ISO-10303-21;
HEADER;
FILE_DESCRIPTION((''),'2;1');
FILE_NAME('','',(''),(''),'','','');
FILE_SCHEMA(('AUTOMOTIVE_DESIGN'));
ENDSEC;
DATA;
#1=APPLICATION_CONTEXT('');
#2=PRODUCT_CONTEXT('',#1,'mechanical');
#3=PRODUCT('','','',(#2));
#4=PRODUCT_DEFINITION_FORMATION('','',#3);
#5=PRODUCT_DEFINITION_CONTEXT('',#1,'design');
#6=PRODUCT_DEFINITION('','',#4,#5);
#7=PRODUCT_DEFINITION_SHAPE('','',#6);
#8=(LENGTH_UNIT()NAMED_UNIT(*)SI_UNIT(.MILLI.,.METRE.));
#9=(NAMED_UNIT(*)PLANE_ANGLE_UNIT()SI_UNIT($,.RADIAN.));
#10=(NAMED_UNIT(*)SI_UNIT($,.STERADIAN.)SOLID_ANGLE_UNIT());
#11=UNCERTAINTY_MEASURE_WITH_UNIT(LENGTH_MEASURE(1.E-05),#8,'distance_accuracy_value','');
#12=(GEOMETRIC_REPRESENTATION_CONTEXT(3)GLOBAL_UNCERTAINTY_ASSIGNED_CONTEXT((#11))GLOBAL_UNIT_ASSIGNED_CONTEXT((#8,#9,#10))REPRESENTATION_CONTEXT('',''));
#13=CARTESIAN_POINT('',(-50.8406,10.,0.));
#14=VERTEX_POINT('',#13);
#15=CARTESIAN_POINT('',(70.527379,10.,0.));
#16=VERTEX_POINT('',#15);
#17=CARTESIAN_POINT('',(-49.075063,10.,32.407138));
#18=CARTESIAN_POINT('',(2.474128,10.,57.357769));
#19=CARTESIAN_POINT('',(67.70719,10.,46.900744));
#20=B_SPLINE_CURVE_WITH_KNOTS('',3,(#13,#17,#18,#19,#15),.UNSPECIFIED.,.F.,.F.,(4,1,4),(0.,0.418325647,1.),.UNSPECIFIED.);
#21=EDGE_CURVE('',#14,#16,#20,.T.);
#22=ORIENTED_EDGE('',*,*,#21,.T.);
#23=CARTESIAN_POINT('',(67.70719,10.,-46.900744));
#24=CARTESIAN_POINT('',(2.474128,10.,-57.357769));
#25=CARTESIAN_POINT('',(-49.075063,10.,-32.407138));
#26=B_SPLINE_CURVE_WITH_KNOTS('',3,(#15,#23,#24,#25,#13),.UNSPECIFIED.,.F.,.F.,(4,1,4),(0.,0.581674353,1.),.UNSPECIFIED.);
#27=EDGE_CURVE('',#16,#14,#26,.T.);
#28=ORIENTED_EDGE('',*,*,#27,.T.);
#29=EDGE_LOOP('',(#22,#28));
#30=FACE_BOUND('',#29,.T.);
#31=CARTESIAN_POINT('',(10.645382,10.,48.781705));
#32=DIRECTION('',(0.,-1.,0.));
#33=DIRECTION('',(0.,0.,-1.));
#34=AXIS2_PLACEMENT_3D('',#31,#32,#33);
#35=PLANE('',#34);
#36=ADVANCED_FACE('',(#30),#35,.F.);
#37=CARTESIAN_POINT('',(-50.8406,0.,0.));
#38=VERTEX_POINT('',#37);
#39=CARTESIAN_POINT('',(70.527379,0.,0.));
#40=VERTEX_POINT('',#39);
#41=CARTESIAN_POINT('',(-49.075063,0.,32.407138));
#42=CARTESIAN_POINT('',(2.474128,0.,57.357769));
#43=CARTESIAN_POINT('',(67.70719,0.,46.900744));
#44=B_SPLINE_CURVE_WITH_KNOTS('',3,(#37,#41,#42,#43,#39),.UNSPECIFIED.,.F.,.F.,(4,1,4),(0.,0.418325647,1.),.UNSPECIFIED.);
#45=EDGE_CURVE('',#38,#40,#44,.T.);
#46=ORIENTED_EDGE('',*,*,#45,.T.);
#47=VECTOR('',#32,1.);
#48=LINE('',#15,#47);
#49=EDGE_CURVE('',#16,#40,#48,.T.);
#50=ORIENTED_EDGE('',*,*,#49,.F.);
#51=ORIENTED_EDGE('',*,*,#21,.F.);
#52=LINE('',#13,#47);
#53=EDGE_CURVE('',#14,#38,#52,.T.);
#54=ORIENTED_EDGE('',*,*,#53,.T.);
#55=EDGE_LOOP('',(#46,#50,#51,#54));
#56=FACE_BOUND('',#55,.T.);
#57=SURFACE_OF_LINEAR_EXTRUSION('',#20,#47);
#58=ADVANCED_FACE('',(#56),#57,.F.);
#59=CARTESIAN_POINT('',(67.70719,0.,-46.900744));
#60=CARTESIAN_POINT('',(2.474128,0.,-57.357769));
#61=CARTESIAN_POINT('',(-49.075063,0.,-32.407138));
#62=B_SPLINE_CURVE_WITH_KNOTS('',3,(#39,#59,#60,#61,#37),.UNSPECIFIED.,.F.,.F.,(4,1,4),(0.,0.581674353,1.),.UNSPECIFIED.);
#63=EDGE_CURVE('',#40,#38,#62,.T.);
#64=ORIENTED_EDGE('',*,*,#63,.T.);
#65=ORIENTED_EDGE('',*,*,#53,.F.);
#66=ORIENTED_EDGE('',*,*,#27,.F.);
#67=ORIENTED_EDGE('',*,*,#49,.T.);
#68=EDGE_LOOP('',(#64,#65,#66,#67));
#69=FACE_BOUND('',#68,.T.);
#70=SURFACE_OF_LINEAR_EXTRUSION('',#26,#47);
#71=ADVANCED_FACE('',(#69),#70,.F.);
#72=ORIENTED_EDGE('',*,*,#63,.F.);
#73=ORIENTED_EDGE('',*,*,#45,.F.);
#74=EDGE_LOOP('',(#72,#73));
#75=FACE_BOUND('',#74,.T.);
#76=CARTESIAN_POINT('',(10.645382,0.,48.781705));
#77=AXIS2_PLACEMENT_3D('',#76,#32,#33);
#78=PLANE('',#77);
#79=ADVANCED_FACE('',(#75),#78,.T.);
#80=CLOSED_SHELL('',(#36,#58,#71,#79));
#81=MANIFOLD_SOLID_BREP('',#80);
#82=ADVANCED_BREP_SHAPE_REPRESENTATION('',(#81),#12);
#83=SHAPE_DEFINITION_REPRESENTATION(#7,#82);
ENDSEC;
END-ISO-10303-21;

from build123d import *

# Parameters (mm, degrees)
EXTRUDE1_DEPTH = 10


with BuildPart() as part:
    # Sketch1 → Extrude1 (new body)
    with BuildSketch(Plane(origin=(0, 0, 0), x_dir=(1, 0, 0), z_dir=(0, 1, 0))):
        with BuildLine():
            add(Edge.make_bspline(
                [(-50.840600096, 0), (-49.075063493, 32.407138226), (2.474127828, 57.357768523), (67.70718957, 46.900743857), (70.527379374, 0)],
                knots=[0, 0, 0, 0, 0.418325647, 1, 1, 1, 1], degree=3))
            add(Edge.make_bspline(
                [(-50.840600096, 0), (-49.075063493, -32.407138226), (2.474127828, -57.357768523), (67.70718957, -46.900743857), (70.527379374, 0)],
                knots=[0, 0, 0, 0, 0.418325647, 1, 1, 1, 1], degree=3))
        make_face()
    extrude(amount=EXTRUDE1_DEPTH)


solid = part.part
